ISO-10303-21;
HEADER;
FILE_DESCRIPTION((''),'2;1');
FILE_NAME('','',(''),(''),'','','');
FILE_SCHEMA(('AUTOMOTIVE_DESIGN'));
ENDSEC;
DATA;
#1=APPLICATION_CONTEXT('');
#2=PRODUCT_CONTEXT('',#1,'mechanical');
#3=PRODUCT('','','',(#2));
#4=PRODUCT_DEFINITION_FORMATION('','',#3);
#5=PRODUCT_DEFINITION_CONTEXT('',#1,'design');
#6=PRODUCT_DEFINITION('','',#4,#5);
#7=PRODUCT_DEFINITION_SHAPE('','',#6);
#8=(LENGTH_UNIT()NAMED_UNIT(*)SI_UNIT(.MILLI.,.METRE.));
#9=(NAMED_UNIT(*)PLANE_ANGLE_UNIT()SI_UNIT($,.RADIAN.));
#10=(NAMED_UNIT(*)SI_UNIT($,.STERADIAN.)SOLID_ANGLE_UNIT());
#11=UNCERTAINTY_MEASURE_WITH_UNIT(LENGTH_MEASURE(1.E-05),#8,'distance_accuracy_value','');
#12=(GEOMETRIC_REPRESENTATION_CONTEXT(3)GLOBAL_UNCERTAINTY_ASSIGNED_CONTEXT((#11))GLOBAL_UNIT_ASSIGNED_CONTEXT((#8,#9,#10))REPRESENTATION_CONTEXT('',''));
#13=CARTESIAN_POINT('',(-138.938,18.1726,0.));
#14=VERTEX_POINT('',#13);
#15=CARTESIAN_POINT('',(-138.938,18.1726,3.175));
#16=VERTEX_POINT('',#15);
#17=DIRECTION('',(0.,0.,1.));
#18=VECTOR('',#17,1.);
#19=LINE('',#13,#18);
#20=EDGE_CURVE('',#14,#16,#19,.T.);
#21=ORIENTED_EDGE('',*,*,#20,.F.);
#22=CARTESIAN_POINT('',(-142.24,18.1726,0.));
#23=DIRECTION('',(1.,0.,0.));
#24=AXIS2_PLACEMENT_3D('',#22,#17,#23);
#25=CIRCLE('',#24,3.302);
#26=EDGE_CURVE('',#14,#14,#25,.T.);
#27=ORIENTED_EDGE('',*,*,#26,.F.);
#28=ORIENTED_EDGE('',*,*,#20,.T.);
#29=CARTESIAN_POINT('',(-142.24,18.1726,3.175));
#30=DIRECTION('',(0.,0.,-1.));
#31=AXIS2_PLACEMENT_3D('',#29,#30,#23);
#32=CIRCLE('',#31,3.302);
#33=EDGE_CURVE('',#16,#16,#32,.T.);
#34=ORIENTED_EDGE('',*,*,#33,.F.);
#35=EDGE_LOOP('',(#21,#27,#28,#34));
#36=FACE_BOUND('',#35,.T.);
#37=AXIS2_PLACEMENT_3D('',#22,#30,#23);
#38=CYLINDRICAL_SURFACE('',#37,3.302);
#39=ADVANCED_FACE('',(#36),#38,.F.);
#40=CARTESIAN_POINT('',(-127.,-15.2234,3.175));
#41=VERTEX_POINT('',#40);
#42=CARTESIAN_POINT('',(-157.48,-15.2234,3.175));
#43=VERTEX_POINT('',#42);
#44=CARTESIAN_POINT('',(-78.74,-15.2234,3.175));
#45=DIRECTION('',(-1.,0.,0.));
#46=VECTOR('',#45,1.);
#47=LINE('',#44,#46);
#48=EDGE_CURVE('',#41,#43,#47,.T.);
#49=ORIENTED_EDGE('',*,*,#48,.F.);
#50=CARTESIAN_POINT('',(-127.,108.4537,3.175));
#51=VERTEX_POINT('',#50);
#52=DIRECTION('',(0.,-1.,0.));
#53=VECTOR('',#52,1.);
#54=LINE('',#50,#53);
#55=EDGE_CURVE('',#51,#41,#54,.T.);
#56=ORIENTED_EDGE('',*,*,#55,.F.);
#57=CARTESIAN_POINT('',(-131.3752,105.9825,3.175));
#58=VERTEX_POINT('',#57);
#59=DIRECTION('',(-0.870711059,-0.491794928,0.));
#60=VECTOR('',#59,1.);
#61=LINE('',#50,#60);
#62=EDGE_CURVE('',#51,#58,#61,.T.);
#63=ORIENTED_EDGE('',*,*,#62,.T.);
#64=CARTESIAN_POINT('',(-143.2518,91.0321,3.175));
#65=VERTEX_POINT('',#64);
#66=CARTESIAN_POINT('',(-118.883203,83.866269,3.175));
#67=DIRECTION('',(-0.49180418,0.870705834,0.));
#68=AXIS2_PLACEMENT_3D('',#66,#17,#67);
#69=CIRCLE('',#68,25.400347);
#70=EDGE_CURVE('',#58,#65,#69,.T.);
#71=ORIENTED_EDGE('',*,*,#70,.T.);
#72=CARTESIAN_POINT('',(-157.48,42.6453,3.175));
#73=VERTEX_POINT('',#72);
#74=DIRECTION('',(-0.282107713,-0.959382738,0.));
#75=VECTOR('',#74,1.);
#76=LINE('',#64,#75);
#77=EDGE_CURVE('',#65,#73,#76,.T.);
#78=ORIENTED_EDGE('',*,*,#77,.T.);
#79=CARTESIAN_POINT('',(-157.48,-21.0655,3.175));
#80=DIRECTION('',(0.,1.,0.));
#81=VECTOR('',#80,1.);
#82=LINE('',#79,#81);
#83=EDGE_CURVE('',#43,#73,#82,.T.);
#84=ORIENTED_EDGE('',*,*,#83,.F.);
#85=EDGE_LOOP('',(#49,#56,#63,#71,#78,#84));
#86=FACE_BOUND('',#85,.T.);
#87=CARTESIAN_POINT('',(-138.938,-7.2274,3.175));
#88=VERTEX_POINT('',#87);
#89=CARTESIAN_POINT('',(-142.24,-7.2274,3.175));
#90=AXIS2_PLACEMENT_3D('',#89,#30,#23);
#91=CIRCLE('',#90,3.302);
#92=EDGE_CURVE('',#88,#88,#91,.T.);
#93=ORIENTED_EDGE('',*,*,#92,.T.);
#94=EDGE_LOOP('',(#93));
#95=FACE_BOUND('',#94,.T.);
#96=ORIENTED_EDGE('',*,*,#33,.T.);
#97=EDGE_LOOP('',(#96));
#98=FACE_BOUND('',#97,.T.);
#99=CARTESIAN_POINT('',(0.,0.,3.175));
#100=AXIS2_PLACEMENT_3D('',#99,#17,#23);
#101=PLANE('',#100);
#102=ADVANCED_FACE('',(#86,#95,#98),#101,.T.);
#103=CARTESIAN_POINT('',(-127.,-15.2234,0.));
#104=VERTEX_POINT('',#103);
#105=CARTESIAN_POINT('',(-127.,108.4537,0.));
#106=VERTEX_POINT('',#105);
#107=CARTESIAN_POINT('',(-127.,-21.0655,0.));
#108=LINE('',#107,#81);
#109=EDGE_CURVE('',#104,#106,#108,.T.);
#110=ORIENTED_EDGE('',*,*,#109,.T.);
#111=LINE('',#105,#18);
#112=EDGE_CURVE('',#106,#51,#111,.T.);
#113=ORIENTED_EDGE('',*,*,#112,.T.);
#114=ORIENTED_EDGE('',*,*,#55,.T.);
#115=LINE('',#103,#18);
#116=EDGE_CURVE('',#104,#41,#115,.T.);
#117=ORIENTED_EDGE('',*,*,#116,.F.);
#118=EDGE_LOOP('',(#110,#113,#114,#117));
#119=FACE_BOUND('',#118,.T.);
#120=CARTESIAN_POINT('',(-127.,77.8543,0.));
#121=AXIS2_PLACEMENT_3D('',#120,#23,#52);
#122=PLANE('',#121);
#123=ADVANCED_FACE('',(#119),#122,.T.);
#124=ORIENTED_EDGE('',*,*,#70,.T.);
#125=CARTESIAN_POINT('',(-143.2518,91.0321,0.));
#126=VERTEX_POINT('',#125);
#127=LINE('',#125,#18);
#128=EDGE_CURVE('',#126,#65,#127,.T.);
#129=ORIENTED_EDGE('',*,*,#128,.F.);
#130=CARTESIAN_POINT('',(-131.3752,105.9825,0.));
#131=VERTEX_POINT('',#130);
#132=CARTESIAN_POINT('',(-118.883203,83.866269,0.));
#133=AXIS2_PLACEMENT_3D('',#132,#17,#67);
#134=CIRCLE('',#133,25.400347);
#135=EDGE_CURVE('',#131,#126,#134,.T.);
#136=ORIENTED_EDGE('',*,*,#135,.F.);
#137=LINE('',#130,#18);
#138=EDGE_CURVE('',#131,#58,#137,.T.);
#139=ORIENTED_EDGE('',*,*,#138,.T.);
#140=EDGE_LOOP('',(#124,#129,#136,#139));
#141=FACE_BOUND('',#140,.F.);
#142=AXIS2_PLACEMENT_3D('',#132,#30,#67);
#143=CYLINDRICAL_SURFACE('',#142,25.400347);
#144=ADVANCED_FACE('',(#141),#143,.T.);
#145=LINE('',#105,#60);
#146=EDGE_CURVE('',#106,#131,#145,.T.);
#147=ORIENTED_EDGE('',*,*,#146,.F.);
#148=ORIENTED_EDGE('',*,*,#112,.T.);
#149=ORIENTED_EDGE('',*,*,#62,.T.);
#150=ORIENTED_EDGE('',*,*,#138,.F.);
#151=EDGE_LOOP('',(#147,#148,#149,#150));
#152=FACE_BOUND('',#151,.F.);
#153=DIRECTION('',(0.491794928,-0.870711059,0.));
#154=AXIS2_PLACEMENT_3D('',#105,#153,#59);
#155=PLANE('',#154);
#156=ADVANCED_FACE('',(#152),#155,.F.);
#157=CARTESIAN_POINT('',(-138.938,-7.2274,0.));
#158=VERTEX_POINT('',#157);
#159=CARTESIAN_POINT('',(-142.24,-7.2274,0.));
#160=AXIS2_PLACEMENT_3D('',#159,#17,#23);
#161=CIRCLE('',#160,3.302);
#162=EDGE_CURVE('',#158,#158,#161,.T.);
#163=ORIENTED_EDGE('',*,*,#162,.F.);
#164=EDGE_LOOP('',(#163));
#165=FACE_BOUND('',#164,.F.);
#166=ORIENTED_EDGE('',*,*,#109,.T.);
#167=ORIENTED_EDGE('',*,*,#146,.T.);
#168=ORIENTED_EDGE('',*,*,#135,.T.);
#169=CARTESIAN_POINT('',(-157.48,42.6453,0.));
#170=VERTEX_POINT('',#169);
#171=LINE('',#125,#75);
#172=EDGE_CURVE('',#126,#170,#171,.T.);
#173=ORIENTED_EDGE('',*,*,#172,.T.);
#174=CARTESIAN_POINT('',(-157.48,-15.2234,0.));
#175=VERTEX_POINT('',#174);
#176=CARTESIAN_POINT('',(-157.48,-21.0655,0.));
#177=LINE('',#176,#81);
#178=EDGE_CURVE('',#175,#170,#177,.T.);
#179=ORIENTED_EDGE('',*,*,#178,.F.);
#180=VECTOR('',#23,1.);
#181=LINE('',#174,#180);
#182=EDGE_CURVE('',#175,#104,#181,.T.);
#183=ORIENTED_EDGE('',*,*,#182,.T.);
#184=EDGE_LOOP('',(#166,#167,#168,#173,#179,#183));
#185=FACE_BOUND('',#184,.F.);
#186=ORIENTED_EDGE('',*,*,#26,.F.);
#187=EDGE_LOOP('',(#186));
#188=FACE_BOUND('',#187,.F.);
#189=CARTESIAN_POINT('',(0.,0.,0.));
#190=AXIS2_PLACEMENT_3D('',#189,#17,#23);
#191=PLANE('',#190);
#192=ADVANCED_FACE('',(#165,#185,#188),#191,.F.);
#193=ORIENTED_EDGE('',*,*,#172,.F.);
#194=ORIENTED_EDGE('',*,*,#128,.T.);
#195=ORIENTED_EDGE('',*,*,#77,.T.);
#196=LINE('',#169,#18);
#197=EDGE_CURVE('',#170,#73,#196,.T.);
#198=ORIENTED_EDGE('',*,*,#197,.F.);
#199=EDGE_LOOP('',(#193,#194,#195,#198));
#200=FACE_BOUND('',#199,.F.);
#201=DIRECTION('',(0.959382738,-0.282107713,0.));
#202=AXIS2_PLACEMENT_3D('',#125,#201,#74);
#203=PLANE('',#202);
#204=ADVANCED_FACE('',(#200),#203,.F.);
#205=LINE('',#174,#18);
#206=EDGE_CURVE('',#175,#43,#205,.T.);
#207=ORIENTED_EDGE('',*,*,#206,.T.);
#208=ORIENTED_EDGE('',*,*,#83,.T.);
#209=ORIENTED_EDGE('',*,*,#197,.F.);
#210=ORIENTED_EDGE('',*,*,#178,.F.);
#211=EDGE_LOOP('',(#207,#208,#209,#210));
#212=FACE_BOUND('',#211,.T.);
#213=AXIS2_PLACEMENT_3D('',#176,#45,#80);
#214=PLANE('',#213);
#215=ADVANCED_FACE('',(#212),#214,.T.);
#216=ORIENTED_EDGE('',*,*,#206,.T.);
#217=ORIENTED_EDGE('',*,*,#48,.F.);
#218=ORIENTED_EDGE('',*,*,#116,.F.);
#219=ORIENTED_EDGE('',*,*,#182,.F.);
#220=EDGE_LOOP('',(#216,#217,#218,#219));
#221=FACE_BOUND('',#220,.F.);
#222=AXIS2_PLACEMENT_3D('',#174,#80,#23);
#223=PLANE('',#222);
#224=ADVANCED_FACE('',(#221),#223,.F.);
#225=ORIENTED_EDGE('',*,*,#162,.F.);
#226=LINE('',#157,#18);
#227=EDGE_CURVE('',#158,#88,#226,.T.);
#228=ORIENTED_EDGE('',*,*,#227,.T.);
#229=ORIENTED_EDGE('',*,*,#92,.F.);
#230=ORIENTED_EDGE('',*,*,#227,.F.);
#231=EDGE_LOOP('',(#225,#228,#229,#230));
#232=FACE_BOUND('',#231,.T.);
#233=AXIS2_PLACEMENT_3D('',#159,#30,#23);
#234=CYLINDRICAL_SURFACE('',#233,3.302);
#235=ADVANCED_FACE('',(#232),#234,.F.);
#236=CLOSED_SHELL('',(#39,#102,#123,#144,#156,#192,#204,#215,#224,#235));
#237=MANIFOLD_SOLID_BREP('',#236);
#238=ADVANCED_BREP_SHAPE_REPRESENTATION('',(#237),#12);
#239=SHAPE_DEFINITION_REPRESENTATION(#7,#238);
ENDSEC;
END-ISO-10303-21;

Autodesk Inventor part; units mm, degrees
ref_plane "YZ Plane" through (0, 0, 0) normal (1, 0, 0) x (0, 1, 0)
ref_plane "XZ Plane" through (0, 0, 0) normal (0, 1, 0) x (-1, 0, 0)
ref_plane "XY Plane" through (0, 0, 0) normal (0, 0, 1) x (1, 0, 0)
sketch "Sketch1" plane through (0, 0, 0) normal (0, 0, 1) x (1, 0, 0)
  line L0 (-114.3, 77.8543) -> (-127, 77.8543) projected
  line L1 (-127, 77.8543) -> (-163.2323, 36.0005) projected
  arc A0 (-163.2323, 36.0005) -> (-215.9, -105.3078) centre (0, -105.3078) ccw projected
  line L2 (-152.4, -105.3078) -> (-215.9, -105.3078) projected
  arc A1 (152.4, -105.3078) -> (-152.4, -105.3078) centre (0, -105.3078) ccw projected
  line L3 (215.9, -105.3078) -> (152.4, -105.3078) projected
  arc A2 (215.9, -105.3078) -> (163.2323, 36.0005) centre (0, -105.3078) ccw projected
  line L4 (163.2323, 36.0005) -> (127, 77.8543) projected
  line L5 (127, 77.8543) -> (114.3, 77.8543) projected
  line L6 (114.3, 77.8543) -> (114.3, 90.5543) projected
  line L7 (114.3, 90.5543) -> (46.5518, 105.5138) projected
  arc A3 (46.5518, 105.5138) -> (-46.5518, 105.5138) centre (0, -105.3078) ccw projected
  line L8 (-46.5518, 105.5138) -> (-114.3, 90.5543) projected
  line L9 (-114.3, 90.5543) -> (-114.3, 77.8543) projected
  circle A4 centre (-174.6359, -42.9949) radius 3.302 projected
  circle A5 centre (-181.5133, -67.4461) radius 3.302 projected
  circle A6 centre (-184.9846, -92.6078) radius 3.302 projected
  circle A7 centre (-12.7, 63.1241) radius 3.302 projected
  circle A8 centre (-37.8617, 76.2055) radius 3.302 projected
  circle A9 centre (-62.0706, 51.784) radius 3.302 projected
  circle A10 centre (12.7, 63.1241) radius 3.302 projected
  circle A11 centre (62.0706, 51.784) radius 3.302 projected
  circle A12 centre (62.3129, 69.3281) radius 3.302 projected
  circle A13 centre (174.6359, -42.9949) radius 3.302 projected
  circle A14 centre (164.6231, -67.4949) radius 3.302 projected
  circle A15 centre (181.5133, -67.4461) radius 3.302 projected
  circle A16 centre (184.9846, -92.6078) radius 3.302 projected
  circle A17 centre (168.4319, -92.6078) radius 3.302 projected
  circle A18 centre (157.0918, -43.2372) radius 3.302 projected
  circle A19 centre (37.8617, 76.2055) radius 3.302 projected
  circle A20 centre (37.8128, 59.3154) radius 3.302 projected
  circle A21 centre (12.7, 79.6768) radius 3.302 projected
  circle A22 centre (-62.3129, 69.3281) radius 3.302 projected
  circle A23 centre (-37.8128, 59.3154) radius 3.302 projected
  circle A24 centre (-12.7, 79.6768) radius 3.302 projected
  circle A25 centre (-168.4319, -92.6078) radius 3.302 projected
  circle A26 centre (-164.6231, -67.4949) radius 3.302 projected
  circle A27 centre (-157.0918, -43.2372) radius 3.302 projected
  line L10 (-127, 143.7166) -> (-127, -105.3078) projected
  line L11 (-127, -21.0655) -> (-127, 108.4537)
  line L12 (-142.24, -21.0655) -> (-142.24, 38.6612) construction
  circle A28 centre (-142.24, -7.2274) radius 3.302
  circle A29 centre (-142.24, 18.1726) radius 3.302
  line L13 (-157.48, -21.0655) -> (-157.48, 42.6453)
  line L14 (-127, -21.0655) -> (-157.48, -21.0655)
  line L15 (-127, 108.4537) -> (-131.3752, 105.9825)
  line L16 (-143.2518, 91.0321) -> (-157.48, 42.6453)
  arc A30 (-131.3752, 105.9825) -> (-143.2518, 91.0321) centre (-118.8834, 83.8665) ccw
  circle A31 centre (142.24, 14.8706) radius 3.302 projected
  circle A32 centre (-142.24, 14.8706) radius 3.302 projected
  circle A33 centre (-142.24, -10.5294) radius 3.302 projected
  circle A34 centre (142.24, -10.5294) radius 3.302 projected
  point P0 (0, 0)
  dimension "d1" = 6.604
  dimension "d2" = 6.604
  dimension "d3" = 25.4
  dimension "d6" = 15.24
  dimension "d7" = 15.24
  dimension "d8" = 25.4
extrude "Extrusion1" add sketch "Sketch1" along normal blind 3.175 contours L10 L14 L13 L1 | L1 L16 A30 L15 L10 | A28 A33 | A29 A32 picked at (-142.4059, -12.7065) picked at (-142.4059, 12.6935)
sketch "Sketch2" plane through (0, 0, 0) normal (0, 0, -1) x (-1, 0, 0)
  line L0 (127, -21.0655) -> (127, 108.4537) projected
  line L1 (157.48, 42.6453) -> (157.48, -21.0655) projected
  line L2 (127, -21.0655) -> (157.48, -21.0655)
  line L3 (157.48, -21.0655) -> (157.48, -15.2234)
  line L4 (157.48, -15.2234) -> (127, -15.2234)
  line L5 (127, -15.2234) -> (127, -21.0655)
  point P0 (0, 0)
extrude "Extrusion2" cut sketch "Sketch2" against normal blind 25.4
properties part number "16in coil holder plate" material "UHMW, Black"
